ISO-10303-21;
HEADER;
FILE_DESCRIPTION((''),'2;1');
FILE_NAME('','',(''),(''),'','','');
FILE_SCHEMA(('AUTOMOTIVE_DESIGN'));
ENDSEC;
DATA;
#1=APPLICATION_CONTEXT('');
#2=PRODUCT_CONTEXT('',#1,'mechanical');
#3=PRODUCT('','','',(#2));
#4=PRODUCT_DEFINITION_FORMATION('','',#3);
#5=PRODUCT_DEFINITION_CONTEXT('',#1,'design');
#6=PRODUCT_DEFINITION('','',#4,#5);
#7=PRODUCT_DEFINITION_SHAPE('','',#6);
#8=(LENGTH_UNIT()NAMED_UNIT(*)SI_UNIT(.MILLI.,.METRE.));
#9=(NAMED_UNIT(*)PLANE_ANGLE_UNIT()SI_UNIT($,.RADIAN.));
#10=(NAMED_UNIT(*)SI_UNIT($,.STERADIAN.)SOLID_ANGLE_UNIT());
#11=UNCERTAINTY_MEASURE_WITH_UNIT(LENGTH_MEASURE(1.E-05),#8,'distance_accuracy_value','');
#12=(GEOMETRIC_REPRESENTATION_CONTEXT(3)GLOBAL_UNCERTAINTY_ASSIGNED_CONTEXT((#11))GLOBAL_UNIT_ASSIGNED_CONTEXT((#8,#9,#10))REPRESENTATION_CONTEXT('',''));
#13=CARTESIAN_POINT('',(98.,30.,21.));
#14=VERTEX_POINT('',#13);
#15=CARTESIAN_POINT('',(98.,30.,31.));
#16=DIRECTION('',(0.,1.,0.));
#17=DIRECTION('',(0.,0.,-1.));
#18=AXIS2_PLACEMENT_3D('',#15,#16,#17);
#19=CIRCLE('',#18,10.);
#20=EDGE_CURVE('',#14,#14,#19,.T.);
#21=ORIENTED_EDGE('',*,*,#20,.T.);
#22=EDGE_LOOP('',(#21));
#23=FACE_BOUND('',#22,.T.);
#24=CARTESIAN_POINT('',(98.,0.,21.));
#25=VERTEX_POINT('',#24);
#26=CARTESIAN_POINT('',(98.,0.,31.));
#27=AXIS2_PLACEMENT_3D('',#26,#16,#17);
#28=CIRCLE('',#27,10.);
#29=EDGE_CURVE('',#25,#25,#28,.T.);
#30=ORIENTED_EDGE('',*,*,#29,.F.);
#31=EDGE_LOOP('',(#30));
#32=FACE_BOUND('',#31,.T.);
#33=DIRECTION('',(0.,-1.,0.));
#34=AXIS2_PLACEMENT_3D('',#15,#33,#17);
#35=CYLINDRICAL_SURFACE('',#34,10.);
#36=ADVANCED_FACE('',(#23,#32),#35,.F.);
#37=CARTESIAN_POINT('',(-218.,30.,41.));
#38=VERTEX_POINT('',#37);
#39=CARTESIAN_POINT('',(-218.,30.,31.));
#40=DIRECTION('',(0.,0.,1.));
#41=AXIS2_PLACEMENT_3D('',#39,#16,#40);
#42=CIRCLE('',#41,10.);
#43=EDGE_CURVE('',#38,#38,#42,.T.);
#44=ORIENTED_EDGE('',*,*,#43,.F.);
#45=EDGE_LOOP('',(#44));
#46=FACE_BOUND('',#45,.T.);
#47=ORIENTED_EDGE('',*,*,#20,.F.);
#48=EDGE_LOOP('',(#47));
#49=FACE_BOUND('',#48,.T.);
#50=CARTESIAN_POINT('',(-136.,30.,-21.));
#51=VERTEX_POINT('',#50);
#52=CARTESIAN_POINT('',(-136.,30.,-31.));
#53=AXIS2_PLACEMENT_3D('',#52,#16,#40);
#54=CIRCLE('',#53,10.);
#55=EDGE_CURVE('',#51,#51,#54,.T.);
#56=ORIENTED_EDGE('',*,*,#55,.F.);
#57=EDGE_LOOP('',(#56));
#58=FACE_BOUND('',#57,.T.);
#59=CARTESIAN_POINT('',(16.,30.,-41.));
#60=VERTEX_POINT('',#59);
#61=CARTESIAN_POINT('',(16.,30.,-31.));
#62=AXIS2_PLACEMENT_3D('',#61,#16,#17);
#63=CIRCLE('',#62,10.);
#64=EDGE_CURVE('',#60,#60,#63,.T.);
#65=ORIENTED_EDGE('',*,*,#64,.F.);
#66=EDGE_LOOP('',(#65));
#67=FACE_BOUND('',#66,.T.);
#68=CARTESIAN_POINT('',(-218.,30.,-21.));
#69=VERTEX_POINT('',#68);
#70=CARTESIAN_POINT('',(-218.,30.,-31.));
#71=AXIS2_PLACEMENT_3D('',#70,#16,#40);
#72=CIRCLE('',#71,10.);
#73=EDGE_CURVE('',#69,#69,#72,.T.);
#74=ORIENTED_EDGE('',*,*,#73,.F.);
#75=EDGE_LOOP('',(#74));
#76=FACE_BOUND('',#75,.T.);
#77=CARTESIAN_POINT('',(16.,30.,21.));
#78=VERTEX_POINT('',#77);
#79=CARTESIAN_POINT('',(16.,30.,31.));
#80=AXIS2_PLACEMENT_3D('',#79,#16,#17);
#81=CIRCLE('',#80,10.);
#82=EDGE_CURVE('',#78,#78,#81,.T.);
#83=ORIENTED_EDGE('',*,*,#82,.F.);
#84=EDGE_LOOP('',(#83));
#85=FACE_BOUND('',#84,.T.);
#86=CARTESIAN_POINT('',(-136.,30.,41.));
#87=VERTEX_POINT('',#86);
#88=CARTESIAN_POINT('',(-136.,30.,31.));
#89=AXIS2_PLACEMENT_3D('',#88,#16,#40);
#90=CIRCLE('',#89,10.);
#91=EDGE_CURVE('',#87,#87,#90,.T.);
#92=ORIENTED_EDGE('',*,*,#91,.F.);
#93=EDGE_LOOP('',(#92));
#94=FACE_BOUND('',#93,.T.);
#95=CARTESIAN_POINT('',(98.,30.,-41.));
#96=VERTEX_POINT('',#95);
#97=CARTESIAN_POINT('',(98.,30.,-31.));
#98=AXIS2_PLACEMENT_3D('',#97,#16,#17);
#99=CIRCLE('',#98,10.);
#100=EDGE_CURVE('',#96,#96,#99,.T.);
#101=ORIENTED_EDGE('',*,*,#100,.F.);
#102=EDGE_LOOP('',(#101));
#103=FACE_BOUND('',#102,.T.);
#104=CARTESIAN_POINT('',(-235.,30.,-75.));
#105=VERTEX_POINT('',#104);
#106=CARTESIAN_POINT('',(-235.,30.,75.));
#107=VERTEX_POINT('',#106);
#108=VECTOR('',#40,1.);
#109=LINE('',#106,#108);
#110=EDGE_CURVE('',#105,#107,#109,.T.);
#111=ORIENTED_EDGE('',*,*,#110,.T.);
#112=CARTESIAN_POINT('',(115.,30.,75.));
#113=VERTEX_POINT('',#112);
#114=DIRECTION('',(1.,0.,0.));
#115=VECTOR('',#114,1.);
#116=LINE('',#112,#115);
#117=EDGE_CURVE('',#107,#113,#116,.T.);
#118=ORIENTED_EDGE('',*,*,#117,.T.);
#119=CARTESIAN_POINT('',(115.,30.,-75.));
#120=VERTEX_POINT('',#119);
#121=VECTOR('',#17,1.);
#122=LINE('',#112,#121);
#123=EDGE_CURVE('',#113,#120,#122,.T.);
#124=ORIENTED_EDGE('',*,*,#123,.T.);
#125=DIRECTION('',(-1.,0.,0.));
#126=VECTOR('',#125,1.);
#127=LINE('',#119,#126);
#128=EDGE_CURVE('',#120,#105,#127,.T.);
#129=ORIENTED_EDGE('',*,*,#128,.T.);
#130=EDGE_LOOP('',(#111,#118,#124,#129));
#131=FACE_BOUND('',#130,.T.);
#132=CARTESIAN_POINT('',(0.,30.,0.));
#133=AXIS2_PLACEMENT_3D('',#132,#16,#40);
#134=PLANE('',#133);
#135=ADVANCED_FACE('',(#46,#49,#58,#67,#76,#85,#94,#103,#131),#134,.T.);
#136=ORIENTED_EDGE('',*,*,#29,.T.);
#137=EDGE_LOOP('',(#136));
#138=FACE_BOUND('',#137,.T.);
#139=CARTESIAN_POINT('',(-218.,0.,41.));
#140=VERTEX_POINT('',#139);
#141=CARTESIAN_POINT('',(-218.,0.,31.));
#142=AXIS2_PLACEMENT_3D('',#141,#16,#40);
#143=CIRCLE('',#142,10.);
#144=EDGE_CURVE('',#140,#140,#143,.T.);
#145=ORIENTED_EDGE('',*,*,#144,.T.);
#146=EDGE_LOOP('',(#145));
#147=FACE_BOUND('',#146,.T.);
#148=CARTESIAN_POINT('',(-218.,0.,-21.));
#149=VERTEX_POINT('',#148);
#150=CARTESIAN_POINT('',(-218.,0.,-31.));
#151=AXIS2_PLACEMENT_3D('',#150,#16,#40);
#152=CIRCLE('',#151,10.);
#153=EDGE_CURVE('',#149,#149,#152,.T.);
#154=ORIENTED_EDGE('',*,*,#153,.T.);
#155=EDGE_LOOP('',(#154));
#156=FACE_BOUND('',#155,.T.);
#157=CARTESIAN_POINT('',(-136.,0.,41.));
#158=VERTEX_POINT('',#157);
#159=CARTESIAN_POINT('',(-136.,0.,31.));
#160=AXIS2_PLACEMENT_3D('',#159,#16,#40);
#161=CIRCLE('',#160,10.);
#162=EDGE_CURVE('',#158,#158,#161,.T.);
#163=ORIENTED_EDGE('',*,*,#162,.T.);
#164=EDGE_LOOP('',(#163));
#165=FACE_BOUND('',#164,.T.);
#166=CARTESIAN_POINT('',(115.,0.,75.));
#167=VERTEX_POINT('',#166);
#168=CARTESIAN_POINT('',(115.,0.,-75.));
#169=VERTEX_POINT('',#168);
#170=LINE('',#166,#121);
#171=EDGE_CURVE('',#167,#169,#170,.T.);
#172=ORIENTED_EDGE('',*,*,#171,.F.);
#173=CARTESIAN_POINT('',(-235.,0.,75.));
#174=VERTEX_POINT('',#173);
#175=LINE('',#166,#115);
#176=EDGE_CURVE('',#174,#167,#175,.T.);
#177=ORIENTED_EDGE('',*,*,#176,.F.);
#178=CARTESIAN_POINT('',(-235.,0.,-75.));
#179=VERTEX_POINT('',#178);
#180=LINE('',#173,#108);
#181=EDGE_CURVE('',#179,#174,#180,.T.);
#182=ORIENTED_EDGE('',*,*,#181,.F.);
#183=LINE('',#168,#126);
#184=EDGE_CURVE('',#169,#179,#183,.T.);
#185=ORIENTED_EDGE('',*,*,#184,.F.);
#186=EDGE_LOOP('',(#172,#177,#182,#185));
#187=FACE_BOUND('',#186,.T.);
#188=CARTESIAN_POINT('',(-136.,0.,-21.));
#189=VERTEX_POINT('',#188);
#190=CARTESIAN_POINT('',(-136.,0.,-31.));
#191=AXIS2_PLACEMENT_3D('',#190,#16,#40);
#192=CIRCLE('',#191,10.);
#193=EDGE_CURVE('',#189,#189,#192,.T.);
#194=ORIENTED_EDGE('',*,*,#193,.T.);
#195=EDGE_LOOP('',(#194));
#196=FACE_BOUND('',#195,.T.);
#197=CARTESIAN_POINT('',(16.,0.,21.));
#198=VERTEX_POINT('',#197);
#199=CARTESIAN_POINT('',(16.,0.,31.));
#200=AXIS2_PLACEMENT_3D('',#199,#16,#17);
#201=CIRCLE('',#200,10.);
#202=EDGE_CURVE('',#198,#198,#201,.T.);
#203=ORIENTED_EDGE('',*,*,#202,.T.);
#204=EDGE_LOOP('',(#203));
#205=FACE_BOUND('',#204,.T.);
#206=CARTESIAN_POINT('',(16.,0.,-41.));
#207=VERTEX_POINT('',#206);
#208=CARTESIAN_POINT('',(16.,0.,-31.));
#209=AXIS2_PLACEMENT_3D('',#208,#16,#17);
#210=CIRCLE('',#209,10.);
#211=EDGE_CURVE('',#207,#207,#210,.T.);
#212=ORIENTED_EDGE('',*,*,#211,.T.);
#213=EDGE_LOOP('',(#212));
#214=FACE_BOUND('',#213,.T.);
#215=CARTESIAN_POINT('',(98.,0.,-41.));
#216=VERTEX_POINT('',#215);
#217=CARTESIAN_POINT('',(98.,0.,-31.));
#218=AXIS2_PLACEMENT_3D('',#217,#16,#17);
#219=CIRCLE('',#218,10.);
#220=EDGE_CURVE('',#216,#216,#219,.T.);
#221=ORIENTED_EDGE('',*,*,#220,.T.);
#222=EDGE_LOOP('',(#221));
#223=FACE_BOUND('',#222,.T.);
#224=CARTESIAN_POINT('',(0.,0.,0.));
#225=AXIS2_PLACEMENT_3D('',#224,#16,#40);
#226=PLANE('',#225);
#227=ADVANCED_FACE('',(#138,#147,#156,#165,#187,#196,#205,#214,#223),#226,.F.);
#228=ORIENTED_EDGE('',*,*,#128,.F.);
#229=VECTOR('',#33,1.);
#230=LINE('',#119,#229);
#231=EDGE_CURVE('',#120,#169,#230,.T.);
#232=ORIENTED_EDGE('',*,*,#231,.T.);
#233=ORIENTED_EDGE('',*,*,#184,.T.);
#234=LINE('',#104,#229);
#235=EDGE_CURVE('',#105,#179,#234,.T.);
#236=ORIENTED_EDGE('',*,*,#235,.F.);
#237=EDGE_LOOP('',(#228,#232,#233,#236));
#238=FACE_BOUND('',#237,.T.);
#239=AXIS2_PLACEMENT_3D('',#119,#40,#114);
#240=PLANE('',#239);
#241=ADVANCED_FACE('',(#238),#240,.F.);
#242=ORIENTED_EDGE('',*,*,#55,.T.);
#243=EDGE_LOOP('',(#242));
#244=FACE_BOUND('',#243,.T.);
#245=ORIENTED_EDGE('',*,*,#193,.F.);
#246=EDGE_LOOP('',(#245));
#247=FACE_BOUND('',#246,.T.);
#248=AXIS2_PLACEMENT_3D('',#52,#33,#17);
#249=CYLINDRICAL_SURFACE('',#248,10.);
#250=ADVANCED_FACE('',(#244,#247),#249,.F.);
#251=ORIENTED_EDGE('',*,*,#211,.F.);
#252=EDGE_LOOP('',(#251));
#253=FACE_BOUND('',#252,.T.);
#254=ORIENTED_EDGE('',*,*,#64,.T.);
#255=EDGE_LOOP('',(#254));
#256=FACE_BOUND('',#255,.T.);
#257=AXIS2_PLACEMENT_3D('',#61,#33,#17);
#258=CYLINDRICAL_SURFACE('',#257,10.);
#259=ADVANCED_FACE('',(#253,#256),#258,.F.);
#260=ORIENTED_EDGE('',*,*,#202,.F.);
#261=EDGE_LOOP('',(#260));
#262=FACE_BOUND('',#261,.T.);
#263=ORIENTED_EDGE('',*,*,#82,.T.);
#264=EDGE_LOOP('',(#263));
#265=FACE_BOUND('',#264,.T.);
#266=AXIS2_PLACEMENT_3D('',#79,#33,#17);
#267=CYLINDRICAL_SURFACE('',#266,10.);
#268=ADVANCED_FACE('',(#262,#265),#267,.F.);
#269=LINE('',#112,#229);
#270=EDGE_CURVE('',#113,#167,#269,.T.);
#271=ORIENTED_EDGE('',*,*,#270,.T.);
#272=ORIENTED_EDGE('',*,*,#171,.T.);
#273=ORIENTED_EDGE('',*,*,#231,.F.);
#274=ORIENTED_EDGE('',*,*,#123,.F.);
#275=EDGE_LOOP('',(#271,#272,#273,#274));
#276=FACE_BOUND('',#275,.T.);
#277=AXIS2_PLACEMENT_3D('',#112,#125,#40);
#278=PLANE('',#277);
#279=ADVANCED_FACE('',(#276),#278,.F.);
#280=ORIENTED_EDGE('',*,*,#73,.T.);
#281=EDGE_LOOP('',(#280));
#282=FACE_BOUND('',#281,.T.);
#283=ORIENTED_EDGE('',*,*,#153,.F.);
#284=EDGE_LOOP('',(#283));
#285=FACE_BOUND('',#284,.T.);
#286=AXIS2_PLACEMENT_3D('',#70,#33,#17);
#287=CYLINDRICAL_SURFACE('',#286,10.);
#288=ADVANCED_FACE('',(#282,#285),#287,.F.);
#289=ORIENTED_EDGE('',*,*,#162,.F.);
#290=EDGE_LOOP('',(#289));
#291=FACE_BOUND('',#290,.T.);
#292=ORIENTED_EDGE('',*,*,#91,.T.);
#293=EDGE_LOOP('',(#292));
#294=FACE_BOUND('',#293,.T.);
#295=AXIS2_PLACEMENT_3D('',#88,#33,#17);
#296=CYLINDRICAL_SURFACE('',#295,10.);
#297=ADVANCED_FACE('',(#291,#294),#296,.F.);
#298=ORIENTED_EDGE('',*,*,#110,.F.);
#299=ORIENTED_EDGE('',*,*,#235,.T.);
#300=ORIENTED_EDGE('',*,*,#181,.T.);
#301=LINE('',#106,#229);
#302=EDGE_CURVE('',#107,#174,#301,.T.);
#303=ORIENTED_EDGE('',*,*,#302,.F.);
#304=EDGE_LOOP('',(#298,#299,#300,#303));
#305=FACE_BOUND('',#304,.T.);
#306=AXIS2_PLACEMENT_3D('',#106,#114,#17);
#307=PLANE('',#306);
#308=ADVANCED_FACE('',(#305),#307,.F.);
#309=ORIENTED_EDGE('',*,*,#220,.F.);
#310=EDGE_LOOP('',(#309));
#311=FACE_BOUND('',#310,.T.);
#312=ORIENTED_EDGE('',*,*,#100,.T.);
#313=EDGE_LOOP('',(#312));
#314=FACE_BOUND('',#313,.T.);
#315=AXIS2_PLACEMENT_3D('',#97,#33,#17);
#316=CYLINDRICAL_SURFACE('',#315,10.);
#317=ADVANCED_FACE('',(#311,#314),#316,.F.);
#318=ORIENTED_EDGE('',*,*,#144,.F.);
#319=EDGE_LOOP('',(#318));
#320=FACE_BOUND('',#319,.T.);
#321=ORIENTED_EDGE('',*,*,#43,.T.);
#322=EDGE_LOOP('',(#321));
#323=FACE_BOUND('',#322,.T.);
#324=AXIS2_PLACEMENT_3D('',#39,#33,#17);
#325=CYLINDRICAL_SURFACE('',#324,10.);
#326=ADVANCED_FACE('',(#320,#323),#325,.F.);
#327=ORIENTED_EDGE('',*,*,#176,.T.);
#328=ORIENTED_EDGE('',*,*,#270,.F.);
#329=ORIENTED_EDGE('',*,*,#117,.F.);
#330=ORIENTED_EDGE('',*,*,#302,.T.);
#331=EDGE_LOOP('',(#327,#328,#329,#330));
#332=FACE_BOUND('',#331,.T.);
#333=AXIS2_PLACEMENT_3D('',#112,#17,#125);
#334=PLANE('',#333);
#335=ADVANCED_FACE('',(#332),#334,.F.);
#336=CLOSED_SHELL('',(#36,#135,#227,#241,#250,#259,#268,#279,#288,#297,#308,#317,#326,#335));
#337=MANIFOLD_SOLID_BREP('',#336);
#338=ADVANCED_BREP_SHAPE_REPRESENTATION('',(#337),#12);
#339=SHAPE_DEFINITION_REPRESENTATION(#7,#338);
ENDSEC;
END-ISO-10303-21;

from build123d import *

# Parameters (mm, degrees)
SKETCH1_W           = 350
SKETCH1_H           = 150
SKETCH1_R           = 10
BOSS_EXTRUDE1_DEPTH = 30


with BuildPart() as part:
    # Sketch1 → Boss-Extrude1 (new body)
    with BuildSketch(Plane(origin=(0, 0, 0), x_dir=(1, 0, 0), z_dir=(0, 1, 0))):
        with Locations((-60, 0)):
            Rectangle(SKETCH1_W, SKETCH1_H)
        with Locations(Location((-218, 31, 0), (0, 0, 270))):
            Circle(SKETCH1_R, mode=Mode.SUBTRACT)
        with Locations(Location((-136, 31, 0), (0, 0, 270))):
            Circle(SKETCH1_R, mode=Mode.SUBTRACT)
        with Locations(Location((-136, -31, 0), (0, 0, 270))):
            Circle(SKETCH1_R, mode=Mode.SUBTRACT)
        with Locations(Location((-218, -31, 0), (0, 0, 270))):
            Circle(SKETCH1_R, mode=Mode.SUBTRACT)
        with Locations(Location((16, -31, 0), (0, 0, 90))):
            Circle(SKETCH1_R, mode=Mode.SUBTRACT)
        with Locations(Location((16, 31, 0), (0, 0, 90))):
            Circle(SKETCH1_R, mode=Mode.SUBTRACT)
        with Locations(Location((98, 31, 0), (0, 0, 90))):
            Circle(SKETCH1_R, mode=Mode.SUBTRACT)
        with Locations(Location((98, -31, 0), (0, 0, 90))):
            Circle(SKETCH1_R, mode=Mode.SUBTRACT)
    extrude(amount=BOSS_EXTRUDE1_DEPTH)


solid = part.part
